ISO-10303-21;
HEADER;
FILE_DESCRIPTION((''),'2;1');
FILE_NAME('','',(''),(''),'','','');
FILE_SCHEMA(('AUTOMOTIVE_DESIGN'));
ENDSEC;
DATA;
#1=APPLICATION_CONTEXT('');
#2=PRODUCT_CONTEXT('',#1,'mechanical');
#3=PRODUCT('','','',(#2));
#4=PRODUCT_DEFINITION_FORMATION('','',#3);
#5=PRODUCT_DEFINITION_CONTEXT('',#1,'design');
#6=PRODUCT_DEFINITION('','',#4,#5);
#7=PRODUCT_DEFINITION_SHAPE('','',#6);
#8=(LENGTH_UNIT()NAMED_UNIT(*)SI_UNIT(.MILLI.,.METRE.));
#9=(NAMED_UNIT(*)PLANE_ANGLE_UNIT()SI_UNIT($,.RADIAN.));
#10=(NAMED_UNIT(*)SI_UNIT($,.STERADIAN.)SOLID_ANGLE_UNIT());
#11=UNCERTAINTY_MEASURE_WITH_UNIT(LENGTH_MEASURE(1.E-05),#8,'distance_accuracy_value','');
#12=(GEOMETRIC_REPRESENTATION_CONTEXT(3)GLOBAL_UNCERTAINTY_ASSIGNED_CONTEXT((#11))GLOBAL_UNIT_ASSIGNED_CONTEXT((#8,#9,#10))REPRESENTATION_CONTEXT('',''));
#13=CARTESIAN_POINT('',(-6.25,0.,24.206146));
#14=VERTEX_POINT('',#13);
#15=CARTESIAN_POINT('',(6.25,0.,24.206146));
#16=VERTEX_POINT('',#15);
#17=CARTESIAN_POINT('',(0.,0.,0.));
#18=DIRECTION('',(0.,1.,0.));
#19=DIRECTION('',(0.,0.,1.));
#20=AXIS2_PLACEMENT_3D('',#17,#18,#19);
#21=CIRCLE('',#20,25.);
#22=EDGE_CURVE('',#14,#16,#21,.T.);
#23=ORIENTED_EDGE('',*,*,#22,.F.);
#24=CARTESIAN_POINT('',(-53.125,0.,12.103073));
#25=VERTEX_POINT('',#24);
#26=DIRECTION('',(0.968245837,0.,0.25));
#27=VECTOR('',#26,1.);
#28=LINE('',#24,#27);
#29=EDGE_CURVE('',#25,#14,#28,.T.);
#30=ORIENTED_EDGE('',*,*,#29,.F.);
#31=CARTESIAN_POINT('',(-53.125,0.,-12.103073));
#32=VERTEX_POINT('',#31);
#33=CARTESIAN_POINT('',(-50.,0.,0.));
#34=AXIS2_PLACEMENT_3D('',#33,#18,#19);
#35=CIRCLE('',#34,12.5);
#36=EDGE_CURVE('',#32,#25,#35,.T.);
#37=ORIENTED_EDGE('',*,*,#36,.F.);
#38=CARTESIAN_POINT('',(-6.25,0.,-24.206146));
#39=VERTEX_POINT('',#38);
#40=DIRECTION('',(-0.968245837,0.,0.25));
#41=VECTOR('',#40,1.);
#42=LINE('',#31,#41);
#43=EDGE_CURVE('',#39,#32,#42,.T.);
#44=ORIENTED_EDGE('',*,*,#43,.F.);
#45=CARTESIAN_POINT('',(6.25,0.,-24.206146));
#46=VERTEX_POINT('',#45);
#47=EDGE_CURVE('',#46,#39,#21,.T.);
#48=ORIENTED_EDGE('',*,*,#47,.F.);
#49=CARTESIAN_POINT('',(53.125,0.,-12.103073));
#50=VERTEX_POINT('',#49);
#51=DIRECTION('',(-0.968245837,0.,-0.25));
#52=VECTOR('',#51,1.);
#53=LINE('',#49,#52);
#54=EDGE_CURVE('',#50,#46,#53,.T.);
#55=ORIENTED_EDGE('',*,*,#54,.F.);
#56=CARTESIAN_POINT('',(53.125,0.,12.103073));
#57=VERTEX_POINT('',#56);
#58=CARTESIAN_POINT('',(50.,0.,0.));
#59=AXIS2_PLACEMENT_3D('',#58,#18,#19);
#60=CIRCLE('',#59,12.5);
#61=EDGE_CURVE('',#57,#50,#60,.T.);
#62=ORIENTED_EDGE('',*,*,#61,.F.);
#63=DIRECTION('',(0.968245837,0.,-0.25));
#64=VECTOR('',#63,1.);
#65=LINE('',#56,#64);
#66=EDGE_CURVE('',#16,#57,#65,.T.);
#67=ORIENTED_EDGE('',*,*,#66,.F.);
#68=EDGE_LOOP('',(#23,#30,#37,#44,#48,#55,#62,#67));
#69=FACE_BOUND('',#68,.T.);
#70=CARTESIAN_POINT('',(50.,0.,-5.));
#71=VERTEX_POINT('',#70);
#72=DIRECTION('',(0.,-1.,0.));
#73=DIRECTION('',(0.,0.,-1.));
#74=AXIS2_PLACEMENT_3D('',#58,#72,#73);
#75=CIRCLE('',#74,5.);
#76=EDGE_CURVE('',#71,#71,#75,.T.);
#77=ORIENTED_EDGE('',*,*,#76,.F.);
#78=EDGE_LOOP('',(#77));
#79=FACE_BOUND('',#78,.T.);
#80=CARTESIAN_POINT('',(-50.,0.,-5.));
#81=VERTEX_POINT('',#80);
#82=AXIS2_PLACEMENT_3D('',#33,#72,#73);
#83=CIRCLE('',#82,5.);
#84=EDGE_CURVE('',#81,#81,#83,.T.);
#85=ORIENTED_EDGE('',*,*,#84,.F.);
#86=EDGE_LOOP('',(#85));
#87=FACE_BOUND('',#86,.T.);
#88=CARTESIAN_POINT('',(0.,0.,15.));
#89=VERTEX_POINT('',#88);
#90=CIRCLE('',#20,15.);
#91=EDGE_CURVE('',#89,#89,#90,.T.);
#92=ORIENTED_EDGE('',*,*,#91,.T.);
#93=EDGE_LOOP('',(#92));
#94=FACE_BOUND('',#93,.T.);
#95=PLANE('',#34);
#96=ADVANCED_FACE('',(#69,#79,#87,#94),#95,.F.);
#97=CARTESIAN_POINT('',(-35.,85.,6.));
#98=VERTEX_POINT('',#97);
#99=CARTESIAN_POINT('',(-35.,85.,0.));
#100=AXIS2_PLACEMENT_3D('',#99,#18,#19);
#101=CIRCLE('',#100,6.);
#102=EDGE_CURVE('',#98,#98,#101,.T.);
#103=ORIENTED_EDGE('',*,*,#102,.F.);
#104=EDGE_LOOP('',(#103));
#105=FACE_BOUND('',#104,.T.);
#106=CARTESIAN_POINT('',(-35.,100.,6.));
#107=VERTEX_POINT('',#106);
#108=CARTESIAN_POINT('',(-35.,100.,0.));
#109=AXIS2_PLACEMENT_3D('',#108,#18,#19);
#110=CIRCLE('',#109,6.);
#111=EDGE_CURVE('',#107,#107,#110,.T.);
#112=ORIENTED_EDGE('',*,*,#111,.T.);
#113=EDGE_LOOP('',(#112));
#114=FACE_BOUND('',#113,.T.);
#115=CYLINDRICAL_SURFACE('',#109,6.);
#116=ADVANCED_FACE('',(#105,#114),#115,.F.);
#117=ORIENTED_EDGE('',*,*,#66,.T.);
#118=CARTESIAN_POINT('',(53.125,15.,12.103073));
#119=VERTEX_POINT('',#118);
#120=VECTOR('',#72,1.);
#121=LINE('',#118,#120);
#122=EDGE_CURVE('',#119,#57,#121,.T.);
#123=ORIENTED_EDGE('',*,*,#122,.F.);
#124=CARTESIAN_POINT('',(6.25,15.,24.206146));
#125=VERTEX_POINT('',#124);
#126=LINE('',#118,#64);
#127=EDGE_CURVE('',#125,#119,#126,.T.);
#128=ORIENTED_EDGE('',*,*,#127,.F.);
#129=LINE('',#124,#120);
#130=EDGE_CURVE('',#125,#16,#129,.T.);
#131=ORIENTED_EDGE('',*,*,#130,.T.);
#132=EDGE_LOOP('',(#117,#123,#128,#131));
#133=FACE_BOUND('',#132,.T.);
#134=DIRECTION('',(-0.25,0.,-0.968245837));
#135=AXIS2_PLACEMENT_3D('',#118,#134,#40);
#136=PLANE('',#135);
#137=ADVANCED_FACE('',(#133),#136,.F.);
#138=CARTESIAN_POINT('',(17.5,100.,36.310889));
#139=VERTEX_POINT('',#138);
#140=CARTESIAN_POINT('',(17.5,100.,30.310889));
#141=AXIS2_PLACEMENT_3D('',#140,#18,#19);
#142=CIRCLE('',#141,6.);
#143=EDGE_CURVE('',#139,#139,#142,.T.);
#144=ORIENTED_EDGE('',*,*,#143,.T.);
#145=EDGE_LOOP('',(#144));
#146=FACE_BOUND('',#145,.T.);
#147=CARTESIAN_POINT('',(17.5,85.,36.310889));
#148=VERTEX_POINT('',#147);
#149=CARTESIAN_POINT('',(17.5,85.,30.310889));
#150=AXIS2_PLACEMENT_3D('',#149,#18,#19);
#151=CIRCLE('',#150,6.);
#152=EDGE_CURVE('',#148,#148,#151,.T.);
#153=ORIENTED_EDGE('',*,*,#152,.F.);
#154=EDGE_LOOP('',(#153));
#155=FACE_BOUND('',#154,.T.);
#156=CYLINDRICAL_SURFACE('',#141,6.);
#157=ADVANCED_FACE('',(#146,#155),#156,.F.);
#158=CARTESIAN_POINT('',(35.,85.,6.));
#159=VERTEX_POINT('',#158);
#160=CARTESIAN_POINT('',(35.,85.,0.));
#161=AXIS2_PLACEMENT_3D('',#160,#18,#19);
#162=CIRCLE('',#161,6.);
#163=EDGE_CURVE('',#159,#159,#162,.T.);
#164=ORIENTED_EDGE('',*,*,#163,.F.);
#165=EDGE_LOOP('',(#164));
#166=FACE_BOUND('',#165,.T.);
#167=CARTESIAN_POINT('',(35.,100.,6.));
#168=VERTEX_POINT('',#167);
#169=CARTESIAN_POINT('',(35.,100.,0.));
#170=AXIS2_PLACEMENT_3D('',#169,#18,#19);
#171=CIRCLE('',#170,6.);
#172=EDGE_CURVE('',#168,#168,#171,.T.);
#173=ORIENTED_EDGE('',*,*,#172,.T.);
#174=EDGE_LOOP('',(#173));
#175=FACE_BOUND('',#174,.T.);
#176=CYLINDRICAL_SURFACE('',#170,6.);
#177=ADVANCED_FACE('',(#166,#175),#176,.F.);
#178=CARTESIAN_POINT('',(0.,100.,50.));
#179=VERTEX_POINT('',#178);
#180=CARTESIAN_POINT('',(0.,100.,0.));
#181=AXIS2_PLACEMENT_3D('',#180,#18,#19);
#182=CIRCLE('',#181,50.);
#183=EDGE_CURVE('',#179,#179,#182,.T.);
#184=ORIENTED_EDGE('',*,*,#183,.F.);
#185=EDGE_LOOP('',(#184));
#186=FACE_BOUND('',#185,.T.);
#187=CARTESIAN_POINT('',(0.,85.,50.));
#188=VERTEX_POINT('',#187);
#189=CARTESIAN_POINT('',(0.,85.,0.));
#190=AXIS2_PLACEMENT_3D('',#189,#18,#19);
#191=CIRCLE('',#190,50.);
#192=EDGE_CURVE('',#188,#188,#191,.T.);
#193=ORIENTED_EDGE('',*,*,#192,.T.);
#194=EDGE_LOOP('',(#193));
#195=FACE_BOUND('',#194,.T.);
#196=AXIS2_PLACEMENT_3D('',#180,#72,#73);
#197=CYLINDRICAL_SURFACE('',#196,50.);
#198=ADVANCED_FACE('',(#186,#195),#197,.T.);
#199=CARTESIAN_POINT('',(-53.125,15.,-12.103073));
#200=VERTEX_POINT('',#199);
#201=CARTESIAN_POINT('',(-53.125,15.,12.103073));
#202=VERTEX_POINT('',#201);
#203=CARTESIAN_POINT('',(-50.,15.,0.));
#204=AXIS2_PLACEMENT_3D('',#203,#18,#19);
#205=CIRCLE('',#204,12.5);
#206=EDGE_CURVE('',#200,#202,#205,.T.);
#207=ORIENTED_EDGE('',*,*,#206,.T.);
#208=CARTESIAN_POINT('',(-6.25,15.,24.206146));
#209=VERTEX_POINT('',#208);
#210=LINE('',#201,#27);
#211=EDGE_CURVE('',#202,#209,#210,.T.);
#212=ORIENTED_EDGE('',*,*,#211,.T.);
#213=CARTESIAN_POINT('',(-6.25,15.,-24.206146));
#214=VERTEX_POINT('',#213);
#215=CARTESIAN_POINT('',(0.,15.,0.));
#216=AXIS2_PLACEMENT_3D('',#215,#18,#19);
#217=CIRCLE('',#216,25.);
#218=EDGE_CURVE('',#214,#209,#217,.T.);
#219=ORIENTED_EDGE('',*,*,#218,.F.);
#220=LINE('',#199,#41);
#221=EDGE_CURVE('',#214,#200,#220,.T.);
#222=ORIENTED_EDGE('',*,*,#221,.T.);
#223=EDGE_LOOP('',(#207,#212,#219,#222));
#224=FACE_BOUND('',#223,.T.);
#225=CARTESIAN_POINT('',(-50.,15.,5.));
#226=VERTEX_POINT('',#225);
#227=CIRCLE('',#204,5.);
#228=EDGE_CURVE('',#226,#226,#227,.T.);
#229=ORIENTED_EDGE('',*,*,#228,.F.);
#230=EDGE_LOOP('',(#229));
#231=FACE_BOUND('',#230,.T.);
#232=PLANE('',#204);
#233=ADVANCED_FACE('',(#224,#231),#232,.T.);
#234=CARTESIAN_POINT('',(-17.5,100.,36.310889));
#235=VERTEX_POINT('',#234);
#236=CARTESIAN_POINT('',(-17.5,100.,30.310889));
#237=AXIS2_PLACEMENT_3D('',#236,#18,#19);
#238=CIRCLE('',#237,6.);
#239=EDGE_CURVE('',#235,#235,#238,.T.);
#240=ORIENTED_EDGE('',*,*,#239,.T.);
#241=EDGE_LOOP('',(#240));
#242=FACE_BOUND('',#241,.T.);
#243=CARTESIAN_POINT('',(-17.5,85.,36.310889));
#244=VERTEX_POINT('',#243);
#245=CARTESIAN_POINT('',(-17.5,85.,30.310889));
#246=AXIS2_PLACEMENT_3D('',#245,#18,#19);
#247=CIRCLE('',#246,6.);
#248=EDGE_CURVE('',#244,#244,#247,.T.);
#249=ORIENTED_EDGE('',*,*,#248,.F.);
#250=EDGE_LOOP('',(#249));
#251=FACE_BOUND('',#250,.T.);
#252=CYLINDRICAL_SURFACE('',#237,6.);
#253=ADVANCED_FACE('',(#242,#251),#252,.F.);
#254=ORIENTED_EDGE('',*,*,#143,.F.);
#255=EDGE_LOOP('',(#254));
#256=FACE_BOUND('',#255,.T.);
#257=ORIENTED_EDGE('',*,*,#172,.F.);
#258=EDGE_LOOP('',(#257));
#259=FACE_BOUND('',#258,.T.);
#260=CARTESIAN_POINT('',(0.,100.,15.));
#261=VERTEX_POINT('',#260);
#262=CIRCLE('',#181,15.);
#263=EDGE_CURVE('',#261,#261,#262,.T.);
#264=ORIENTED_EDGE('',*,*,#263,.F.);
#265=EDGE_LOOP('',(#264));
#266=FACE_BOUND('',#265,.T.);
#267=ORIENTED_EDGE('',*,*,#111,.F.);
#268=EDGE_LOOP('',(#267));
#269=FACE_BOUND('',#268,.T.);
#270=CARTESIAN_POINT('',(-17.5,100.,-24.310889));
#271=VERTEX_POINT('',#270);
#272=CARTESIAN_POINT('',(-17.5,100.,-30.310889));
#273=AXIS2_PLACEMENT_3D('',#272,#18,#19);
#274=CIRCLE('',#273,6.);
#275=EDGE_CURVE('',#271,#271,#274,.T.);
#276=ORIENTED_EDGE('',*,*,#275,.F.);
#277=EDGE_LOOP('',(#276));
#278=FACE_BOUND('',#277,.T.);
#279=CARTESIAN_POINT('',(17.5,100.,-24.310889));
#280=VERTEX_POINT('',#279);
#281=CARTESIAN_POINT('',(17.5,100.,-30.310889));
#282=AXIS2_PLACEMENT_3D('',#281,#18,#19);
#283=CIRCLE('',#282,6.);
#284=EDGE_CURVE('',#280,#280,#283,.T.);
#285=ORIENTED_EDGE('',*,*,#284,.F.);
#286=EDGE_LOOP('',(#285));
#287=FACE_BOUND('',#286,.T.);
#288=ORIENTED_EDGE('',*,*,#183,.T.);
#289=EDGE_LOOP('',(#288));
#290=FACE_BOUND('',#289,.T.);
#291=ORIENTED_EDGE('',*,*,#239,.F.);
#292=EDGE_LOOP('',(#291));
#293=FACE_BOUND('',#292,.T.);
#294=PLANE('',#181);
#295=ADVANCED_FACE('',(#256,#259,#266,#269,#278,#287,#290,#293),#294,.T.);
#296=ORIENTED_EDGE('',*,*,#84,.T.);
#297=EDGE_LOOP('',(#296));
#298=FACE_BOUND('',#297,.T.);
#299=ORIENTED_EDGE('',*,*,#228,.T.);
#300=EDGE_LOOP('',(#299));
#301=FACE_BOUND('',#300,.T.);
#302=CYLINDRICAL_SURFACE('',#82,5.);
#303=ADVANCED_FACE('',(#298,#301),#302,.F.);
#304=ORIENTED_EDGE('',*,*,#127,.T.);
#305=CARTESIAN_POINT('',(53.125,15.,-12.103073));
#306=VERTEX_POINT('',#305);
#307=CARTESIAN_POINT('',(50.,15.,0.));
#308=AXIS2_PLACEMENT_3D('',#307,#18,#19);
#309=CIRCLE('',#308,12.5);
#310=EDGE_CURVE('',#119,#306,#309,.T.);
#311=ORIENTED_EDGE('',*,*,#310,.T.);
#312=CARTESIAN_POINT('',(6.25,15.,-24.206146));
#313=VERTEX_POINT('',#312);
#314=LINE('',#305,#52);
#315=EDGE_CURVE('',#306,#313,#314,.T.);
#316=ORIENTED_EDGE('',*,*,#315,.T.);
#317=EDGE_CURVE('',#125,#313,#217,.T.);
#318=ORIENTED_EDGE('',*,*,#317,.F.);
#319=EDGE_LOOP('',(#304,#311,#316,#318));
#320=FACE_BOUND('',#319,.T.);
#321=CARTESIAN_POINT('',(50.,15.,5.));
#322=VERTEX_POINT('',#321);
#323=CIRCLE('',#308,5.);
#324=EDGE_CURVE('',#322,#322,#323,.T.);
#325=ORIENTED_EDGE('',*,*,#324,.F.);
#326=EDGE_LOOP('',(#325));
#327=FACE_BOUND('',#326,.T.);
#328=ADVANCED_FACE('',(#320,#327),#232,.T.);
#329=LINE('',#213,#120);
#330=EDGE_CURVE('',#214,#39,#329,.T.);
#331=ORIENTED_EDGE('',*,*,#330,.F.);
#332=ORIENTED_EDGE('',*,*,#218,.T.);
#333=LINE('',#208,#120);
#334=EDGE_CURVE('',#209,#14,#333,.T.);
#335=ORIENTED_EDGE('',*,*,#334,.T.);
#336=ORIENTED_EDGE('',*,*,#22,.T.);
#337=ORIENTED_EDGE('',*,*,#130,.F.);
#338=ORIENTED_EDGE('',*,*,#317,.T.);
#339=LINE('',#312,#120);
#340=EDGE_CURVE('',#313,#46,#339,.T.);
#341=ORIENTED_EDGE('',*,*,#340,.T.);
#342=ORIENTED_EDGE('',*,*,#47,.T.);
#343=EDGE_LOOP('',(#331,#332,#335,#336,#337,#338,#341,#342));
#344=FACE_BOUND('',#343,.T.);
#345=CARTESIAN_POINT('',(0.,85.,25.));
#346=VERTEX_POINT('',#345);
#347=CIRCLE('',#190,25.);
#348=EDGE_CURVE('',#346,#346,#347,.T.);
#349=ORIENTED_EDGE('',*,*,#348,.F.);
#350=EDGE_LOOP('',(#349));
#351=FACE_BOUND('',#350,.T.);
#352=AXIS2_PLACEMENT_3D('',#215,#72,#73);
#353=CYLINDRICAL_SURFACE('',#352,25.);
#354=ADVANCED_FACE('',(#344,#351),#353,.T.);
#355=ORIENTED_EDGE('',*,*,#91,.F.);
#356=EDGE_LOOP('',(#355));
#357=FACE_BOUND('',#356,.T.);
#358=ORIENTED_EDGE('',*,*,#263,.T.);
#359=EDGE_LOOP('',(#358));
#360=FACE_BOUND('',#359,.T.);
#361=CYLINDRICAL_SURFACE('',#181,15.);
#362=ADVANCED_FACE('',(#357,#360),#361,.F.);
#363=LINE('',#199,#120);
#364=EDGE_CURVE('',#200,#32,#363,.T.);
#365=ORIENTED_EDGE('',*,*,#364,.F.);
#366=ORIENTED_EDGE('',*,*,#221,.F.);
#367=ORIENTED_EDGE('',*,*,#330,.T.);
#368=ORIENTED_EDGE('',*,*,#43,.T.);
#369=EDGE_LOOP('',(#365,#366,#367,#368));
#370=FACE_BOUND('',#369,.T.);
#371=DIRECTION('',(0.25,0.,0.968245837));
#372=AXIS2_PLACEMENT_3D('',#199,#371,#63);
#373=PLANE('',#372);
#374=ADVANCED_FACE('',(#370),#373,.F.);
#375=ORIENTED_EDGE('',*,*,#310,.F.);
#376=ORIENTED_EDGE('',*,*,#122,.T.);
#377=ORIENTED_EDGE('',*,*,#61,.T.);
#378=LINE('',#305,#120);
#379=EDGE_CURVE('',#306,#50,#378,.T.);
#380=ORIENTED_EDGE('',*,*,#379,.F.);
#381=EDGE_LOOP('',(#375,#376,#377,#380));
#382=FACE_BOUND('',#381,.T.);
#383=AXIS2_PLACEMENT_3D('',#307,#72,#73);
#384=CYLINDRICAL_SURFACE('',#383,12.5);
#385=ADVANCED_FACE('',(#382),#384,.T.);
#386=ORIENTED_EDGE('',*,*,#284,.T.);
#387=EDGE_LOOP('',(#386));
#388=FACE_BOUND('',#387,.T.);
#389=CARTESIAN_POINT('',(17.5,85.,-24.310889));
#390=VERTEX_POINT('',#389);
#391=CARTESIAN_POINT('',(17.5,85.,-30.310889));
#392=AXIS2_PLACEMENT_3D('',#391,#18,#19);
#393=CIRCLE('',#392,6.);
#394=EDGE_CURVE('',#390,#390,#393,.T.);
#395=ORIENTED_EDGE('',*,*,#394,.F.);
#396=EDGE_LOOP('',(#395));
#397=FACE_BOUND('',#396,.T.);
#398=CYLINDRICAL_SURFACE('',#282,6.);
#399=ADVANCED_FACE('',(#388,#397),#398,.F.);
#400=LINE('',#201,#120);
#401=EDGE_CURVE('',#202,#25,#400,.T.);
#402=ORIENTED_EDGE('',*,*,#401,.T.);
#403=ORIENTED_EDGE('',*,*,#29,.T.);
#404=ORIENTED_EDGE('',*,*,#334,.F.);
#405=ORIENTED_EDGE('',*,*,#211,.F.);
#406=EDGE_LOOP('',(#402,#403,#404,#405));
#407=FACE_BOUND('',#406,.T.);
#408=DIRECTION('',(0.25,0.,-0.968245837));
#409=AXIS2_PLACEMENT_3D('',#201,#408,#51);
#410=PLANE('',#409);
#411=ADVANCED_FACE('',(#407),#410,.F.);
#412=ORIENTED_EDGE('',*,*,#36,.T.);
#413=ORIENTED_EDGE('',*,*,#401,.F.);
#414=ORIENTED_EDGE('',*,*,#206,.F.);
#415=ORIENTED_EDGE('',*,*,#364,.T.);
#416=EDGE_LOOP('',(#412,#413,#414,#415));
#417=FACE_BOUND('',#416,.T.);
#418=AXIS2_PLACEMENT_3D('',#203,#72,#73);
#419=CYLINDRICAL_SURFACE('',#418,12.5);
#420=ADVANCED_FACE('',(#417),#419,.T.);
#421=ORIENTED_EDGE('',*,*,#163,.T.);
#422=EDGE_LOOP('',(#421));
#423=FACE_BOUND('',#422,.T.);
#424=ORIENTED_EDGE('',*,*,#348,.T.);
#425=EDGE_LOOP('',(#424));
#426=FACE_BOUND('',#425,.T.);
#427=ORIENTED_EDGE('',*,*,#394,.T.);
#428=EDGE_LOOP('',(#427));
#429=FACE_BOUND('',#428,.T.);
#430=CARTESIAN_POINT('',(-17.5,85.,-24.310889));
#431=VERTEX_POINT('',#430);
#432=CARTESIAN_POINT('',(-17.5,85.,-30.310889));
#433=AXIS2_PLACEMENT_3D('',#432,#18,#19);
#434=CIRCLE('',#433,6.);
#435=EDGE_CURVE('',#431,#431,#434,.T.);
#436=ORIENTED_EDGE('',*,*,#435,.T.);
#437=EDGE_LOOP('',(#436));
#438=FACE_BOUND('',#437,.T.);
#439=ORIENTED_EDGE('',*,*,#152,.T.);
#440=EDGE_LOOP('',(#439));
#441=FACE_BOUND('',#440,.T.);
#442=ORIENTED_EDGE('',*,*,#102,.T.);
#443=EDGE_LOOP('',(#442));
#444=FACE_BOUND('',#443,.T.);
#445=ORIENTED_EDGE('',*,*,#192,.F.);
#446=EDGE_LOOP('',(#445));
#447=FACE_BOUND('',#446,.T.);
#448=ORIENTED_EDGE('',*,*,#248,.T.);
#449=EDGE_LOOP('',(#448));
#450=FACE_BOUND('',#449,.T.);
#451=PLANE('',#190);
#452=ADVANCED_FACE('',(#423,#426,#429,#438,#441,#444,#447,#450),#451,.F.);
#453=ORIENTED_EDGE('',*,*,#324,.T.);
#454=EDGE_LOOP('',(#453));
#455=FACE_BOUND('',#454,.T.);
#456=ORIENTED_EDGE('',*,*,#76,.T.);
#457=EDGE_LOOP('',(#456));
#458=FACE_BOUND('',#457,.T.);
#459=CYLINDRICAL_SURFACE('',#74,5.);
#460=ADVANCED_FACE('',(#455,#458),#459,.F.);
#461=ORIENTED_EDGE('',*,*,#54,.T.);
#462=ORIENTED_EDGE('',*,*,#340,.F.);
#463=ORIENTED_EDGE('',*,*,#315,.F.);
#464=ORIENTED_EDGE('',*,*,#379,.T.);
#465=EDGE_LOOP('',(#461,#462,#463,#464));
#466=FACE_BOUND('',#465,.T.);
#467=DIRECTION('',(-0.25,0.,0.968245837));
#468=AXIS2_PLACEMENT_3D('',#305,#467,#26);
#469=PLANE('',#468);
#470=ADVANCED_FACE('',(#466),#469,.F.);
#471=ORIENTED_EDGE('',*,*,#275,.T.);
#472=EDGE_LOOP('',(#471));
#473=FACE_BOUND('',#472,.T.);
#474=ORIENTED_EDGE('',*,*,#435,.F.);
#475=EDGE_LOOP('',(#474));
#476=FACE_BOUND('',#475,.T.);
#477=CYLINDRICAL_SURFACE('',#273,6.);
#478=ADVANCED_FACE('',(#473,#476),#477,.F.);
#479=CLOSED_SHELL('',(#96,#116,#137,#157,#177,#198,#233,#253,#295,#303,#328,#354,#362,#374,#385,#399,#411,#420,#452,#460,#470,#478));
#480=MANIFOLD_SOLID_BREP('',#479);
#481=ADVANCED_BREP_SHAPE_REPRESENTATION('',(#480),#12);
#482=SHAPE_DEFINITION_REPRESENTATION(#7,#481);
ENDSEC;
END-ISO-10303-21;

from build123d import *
from build123d.topology import SkipClean

# Parameters (mm, degrees)
BOSS_EXTRUDE1_DEPTH = 15
SKETCH2_R           = 25
BOSS_EXTRUDE2_DEPTH = 70
SKETCH3_R           = 50
BOSS_EXTRUDE3_DEPTH = 15
HOLE1_D             = 30
HOLE2_D             = 12
HOLE2_DEPTH         = 15
CIRPATTERN1_COUNT   = 6
HOLE3_D             = 10
HOLE3_DEPTH         = 15


with BuildPart() as part:
    # Sketch1 → Boss-Extrude1 (new body)
    with BuildSketch(Plane(origin=(0, 0, 0), x_dir=(1, 0, 0), z_dir=(0, 1, 0))):
        with BuildLine():
            Line((-53.125, 12.103072957), (-6.25, 24.206145914))
            ThreePointArc((-6.25, 24.206145914), (0, 25), (6.25, 24.206145914))
            Line((6.25, 24.206145914), (53.125, 12.103072957))
            ThreePointArc((53.125, 12.103072957), (62.5, 0), (53.125, -12.103072957))
            Line((53.125, -12.103072957), (6.25, -24.206145914))
            ThreePointArc((6.25, -24.206145914), (0, -25), (-6.25, -24.206145914))
            Line((-6.25, -24.206145914), (-53.125, -12.103072957))
            ThreePointArc((-53.125, -12.103072957), (-62.5, 0), (-53.125, 12.103072957))
        make_face()
    extrude(amount=BOSS_EXTRUDE1_DEPTH)

    # Sketch2 → Boss-Extrude2 (add)
    with BuildSketch(Plane(origin=(0, 15, 0), x_dir=(1, 0, 0), z_dir=(0, 1, 0))):
        with Locations(Location((0, 0, 0), (0, 0, 104.477512186))):
            Circle(SKETCH2_R)
    extrude(amount=BOSS_EXTRUDE2_DEPTH)

    # Sketch3 → Boss-Extrude3 (add)
    with SkipClean():  # the faces are left unmerged after this step: merging them gives an invalid solid
        with BuildSketch(Plane(origin=(0, 85, 0), x_dir=(1, 0, 0), z_dir=(0, 1, 0))):
            with Locations(Location((0, 0, 0), (0, 0, 270))):
                Circle(SKETCH3_R)
        extrude(amount=BOSS_EXTRUDE3_DEPTH)

    # Hole1 (through all)
    with Locations(Plane(origin=(0, 100, 0), x_dir=(1, 0, 0), z_dir=(0, 1, 0))):
        with Locations((0, 0)):
            Hole(HOLE1_D / 2)

    # Hole2
    with Locations(Plane(origin=(0, 100, 0), x_dir=(1, 0, 0), z_dir=(0, 1, 0))):
        with Locations((35, 0)):
            hole2 = Hole(HOLE2_D / 2, depth=HOLE2_DEPTH)

    # CirPattern1: Hole2 ×6 about axis
    with SkipClean():  # the faces are left unmerged after this step: merging them gives an invalid solid
        cirpattern1_axis = Axis((0, 0, 0), (0, 1, 0))
        for i in range(1, CIRPATTERN1_COUNT):
            add(hole2.rotate(cirpattern1_axis, i * 360 / CIRPATTERN1_COUNT), mode=Mode.SUBTRACT)

    # Hole3
    with Locations(Plane(origin=(0, 0, 0), x_dir=(-1, 0, 0), z_dir=(0, -1, 0))):
        with Locations((50, 0), (-50, 0)):
            Hole(HOLE3_D / 2, depth=HOLE3_DEPTH)


solid = part.part
